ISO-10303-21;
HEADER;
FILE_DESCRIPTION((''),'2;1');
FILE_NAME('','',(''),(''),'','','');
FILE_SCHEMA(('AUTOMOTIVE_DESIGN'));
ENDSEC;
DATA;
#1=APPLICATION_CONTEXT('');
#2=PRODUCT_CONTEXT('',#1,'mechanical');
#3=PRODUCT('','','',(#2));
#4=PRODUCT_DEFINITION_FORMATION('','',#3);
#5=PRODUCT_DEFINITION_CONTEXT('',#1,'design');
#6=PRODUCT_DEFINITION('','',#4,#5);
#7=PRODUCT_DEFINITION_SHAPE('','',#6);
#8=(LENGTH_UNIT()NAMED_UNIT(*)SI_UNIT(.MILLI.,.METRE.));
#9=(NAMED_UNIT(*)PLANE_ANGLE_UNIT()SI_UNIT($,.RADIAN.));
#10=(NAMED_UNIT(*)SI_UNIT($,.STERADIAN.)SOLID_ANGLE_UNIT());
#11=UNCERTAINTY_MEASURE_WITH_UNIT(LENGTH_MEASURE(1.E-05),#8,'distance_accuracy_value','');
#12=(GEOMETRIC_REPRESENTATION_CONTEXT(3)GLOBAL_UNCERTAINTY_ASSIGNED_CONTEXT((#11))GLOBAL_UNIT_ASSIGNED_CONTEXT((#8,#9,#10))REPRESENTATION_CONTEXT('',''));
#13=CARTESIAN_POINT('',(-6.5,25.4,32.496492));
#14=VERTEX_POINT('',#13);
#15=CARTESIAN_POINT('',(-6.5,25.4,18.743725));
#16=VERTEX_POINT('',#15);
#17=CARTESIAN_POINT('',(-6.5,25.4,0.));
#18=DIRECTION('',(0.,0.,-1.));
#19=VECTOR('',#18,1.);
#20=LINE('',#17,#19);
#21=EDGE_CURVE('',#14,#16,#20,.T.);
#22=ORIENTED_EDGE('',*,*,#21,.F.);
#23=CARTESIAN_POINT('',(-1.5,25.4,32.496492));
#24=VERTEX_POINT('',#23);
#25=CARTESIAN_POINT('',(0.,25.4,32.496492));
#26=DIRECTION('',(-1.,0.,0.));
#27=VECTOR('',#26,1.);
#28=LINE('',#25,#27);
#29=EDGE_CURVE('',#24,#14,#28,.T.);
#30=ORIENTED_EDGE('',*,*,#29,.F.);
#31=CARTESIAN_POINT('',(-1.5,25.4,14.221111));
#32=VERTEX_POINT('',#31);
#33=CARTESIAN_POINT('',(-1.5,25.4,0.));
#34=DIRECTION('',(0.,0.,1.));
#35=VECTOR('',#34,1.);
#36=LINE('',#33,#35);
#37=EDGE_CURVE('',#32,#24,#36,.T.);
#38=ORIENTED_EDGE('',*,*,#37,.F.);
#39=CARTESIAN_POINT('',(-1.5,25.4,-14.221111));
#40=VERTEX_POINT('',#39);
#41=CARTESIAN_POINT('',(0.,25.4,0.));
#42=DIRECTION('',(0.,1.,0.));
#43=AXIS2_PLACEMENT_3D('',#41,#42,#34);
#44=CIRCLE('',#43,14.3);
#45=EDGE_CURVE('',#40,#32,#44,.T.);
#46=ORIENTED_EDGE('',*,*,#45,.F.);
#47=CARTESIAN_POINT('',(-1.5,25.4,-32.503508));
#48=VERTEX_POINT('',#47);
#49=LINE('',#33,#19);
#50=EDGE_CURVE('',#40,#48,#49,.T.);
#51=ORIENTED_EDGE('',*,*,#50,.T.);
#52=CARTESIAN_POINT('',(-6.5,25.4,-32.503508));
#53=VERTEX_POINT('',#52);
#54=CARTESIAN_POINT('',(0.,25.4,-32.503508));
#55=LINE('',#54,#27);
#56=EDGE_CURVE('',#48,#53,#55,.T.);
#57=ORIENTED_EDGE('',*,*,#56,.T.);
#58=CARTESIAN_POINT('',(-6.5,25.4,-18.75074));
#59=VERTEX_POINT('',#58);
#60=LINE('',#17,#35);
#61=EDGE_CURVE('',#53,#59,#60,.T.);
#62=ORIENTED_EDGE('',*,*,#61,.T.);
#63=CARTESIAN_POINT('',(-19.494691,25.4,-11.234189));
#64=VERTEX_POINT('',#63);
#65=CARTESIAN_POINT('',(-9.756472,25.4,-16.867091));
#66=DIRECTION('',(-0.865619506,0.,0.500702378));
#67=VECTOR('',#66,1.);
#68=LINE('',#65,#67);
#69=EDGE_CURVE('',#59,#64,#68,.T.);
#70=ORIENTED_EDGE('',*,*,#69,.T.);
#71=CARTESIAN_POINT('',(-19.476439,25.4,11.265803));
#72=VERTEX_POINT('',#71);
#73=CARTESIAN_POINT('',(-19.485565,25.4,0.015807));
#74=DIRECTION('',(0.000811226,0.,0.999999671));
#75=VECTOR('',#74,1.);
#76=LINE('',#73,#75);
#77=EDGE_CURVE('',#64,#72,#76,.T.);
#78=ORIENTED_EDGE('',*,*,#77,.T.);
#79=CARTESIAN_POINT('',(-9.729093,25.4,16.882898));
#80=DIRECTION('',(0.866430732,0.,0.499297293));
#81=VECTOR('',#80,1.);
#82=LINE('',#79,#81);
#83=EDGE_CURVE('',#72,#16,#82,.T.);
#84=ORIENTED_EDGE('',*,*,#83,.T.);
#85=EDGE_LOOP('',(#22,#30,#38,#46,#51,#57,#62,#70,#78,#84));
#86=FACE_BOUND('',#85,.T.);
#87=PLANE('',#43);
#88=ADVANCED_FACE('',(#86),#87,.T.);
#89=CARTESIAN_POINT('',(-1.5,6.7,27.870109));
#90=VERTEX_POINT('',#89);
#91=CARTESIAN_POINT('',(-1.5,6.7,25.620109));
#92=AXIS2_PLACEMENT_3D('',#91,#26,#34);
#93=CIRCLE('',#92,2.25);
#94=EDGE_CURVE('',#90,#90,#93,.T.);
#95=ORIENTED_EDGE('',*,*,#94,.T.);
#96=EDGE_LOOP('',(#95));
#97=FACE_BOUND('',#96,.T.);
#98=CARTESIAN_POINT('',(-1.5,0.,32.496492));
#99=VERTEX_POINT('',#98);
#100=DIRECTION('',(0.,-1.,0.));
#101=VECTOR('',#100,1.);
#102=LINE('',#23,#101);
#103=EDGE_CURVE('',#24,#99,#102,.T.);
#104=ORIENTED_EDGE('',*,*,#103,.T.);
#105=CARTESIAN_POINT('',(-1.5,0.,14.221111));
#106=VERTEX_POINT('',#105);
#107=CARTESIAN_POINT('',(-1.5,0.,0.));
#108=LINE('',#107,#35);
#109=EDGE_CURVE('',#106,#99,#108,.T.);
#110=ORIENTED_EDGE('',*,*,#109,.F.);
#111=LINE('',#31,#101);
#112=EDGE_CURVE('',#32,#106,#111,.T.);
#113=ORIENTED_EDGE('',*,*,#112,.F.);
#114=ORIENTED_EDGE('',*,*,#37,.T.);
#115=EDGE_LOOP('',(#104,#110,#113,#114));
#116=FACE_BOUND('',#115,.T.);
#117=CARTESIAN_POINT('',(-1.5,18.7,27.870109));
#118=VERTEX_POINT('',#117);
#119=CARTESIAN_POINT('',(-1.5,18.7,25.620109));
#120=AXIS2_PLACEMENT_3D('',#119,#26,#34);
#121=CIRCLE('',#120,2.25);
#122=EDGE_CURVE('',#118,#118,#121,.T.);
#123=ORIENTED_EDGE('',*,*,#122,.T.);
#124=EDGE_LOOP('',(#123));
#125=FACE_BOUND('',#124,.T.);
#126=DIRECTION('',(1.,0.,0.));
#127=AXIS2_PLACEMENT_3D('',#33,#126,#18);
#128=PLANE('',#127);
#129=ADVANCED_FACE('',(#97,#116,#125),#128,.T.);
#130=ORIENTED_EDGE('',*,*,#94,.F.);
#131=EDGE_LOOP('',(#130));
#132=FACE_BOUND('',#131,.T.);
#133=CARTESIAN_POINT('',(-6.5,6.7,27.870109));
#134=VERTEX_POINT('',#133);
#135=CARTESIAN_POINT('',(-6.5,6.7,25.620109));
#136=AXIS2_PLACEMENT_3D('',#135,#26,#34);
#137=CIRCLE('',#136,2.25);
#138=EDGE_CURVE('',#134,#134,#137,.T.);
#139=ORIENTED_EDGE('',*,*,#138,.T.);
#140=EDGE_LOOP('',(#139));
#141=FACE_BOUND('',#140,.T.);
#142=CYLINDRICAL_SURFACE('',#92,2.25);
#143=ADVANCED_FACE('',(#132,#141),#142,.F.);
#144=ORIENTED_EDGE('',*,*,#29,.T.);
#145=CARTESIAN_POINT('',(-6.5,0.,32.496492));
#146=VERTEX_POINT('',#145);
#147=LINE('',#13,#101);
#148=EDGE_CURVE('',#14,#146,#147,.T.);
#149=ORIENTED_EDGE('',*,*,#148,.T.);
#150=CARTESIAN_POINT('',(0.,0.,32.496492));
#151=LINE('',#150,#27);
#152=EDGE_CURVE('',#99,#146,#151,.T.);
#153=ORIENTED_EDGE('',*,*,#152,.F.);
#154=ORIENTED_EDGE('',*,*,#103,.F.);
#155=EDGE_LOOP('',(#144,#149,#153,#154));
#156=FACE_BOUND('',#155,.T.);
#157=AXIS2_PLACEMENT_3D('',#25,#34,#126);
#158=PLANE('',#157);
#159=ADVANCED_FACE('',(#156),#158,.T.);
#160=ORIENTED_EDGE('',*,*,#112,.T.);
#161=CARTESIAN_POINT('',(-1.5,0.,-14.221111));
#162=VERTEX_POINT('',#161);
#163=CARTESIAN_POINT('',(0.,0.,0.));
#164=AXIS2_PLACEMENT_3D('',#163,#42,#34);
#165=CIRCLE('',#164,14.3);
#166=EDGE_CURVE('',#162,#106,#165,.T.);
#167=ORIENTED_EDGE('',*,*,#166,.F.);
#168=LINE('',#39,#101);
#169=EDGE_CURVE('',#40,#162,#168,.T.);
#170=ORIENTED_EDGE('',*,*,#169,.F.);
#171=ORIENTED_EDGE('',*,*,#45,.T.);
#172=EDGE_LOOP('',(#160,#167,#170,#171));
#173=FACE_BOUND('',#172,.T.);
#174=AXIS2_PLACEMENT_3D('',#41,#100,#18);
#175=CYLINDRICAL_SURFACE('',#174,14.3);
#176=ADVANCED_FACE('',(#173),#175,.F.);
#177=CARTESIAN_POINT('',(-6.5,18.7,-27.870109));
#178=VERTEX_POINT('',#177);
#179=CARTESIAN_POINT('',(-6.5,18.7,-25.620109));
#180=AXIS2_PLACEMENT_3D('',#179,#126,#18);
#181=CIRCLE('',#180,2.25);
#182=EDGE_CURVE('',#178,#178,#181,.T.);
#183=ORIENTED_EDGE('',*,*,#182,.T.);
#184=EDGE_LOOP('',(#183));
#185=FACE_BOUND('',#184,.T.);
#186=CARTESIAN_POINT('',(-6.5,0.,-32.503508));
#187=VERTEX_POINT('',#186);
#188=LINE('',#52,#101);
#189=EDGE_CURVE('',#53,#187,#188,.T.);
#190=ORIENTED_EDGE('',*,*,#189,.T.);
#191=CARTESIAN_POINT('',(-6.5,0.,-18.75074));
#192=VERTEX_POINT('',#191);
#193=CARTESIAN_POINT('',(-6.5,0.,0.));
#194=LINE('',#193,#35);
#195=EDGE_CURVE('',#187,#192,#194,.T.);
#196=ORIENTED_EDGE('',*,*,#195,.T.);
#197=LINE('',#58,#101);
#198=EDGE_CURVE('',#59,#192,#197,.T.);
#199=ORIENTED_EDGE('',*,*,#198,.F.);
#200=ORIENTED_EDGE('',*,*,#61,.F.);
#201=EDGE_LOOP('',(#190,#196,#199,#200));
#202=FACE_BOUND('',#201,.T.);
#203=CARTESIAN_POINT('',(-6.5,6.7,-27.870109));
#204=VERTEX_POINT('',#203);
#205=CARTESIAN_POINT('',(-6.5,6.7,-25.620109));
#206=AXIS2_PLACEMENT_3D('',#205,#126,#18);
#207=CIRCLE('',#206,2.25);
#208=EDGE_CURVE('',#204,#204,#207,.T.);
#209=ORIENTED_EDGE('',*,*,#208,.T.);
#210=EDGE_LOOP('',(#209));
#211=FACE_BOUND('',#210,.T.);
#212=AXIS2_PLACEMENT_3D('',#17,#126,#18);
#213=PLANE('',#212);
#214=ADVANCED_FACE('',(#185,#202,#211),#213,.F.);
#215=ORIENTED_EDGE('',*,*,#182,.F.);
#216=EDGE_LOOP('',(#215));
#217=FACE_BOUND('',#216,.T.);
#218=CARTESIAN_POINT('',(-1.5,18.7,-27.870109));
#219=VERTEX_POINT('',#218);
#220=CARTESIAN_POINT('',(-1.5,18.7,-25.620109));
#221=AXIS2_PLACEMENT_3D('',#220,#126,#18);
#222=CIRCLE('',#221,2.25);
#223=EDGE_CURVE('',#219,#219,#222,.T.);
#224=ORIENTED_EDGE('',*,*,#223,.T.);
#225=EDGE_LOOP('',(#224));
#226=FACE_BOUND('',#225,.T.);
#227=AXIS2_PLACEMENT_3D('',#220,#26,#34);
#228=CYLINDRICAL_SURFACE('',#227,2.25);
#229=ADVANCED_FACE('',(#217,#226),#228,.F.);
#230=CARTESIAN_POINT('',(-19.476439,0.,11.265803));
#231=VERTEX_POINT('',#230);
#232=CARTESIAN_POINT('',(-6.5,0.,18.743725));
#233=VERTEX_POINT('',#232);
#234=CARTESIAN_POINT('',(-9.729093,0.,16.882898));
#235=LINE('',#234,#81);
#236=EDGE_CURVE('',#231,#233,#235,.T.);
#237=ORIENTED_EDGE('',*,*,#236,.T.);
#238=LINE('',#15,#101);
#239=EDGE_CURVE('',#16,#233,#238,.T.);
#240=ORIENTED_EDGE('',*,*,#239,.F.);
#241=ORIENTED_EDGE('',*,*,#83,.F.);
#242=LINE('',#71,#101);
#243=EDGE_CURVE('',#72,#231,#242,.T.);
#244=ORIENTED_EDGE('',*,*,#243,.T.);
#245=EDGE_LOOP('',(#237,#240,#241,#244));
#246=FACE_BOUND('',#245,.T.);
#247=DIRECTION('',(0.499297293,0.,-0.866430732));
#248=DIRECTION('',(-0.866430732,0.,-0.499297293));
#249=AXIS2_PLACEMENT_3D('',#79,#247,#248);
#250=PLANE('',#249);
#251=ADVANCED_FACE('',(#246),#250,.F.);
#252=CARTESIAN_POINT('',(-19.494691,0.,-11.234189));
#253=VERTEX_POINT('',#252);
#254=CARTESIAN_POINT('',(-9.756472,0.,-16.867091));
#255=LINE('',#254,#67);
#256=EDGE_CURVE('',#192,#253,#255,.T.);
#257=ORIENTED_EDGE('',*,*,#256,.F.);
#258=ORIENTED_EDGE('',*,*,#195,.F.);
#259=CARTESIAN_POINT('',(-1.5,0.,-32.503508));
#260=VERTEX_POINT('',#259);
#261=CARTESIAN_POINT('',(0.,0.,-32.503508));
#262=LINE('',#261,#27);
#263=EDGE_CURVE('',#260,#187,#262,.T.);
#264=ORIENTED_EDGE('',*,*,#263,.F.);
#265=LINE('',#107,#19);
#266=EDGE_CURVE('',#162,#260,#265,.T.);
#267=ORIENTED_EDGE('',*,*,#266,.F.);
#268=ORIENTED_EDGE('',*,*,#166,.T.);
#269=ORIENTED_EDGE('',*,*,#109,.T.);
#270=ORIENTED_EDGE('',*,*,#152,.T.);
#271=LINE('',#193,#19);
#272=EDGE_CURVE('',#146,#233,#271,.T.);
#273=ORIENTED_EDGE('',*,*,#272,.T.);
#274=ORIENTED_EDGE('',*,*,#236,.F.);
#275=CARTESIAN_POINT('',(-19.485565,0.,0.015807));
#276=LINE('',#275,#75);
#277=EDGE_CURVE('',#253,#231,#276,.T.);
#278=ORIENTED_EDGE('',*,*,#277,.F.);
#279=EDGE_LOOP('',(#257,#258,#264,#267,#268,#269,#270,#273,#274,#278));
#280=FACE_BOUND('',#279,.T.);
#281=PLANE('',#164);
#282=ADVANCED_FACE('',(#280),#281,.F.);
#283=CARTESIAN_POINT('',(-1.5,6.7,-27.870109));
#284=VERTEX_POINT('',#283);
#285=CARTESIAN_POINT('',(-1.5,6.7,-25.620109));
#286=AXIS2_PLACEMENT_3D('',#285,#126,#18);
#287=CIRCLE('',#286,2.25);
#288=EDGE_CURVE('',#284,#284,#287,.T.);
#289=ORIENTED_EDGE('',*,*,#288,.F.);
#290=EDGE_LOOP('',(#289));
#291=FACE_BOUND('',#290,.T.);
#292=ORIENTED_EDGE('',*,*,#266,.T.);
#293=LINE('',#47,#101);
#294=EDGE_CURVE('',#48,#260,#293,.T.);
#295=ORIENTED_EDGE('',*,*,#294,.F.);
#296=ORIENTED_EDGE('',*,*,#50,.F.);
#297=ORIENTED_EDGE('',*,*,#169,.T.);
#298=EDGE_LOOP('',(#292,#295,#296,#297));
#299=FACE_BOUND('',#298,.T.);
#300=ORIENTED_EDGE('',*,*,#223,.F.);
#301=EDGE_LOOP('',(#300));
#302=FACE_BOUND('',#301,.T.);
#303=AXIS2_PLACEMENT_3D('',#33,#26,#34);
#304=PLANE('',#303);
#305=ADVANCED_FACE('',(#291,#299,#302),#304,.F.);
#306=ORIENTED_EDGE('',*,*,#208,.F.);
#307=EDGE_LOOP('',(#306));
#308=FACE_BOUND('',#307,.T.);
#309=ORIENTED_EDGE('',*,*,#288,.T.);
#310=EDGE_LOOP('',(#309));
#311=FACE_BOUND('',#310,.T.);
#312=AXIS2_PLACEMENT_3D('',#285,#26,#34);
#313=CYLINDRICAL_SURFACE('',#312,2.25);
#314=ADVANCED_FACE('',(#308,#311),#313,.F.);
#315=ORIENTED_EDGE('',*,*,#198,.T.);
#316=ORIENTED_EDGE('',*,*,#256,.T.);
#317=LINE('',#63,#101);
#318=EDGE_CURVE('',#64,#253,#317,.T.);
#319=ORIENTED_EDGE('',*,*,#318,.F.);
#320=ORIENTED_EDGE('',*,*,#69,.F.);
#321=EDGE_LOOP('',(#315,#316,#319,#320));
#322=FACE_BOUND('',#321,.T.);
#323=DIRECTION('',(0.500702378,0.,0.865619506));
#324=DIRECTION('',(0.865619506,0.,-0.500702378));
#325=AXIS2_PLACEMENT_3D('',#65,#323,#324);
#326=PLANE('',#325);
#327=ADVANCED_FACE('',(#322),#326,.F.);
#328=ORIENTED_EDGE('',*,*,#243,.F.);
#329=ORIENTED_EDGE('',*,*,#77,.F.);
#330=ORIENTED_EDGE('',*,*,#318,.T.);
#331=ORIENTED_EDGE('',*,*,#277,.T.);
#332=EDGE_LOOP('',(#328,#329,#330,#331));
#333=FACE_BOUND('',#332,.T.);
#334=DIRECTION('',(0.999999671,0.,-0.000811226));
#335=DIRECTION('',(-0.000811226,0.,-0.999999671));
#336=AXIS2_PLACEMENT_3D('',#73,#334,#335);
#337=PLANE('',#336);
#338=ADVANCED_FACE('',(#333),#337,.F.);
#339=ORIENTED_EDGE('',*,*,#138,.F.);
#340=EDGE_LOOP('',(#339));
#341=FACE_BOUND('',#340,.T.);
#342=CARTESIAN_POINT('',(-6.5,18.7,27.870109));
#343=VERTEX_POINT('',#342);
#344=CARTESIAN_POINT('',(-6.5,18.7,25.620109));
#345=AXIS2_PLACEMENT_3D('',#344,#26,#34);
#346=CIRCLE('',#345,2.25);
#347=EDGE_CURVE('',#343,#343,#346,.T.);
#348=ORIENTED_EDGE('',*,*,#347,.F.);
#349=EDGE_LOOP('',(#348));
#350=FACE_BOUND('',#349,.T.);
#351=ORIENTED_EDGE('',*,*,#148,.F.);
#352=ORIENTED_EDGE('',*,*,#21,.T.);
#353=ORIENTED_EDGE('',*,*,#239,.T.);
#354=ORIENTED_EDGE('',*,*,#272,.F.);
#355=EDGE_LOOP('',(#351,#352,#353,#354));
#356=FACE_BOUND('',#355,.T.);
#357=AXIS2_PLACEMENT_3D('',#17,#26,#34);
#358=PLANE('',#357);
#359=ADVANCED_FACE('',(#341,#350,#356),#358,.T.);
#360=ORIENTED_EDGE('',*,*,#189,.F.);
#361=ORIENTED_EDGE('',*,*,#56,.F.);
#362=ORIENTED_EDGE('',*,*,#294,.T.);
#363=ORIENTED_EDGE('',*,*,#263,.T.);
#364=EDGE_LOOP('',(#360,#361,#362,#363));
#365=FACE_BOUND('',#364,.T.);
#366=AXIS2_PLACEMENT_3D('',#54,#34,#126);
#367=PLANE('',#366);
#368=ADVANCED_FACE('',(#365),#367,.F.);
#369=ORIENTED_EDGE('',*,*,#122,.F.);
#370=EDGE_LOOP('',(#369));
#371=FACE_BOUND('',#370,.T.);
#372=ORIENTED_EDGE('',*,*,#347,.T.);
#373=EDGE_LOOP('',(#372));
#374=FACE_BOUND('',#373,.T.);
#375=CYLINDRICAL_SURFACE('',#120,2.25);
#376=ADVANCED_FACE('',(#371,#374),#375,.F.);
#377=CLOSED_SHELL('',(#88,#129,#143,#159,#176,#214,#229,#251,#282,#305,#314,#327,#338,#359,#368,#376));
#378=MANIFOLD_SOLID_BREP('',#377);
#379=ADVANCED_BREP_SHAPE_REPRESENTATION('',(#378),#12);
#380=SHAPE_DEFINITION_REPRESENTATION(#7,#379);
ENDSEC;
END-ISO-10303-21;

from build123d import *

# Parameters (mm, degrees)
BOSS_EXTRUDE1_DEPTH = 25.4
SKETCH2_R           = 2.25
CUT_EXTRUDE1_DEPTH  = 6


with BuildPart() as part:
    # Sketch1 → Boss-Extrude1 (new body)
    with BuildSketch(Plane(origin=(0, 0, 0), x_dir=(1, 0, 0), z_dir=(0, 1, 0))):
        Polygon((-6.5, 18.750739811), (-1.5, 21.642901866), (-1.5, 32.503507515), (-6.5, 32.503507515), align=None)
        with BuildLine():
            Line((-1.5, -21.625070485), (-1.5, -14.221111068))
            ThreePointArc((-1.5, -14.221111068), (-14.3, 0), (-1.5, 14.221111068))
            Line((-1.5, 14.221111068), (-1.5, 21.642901866))
            Line((-1.5, 21.642901866), (-6.5, 18.750739811))
            Line((-6.5, 18.750739811), (-19.494691465, 11.234189098))
            Line((-19.494691465, 11.234189098), (-19.476438882, -11.265803499))
            Line((-19.476438882, -11.265803499), (-6.5, -18.743724782))
            Line((-6.5, -18.743724782), (-1.5, -21.625070485))
        make_face()
        Polygon((-1.5, -32.496492485), (-1.5, -21.625070485), (-6.5, -18.743724782), (-6.5, -32.496492485), align=None)
    extrude(amount=BOSS_EXTRUDE1_DEPTH)

    # Sketch2 → Cut-Extrude1 (cut, through all)
    with BuildSketch(Plane.ZY.offset(6.5)):
        with Locations((25.620108634, 18.7)):
            Circle(SKETCH2_R)
        with Locations((25.620108634, 6.7)):
            Circle(SKETCH2_R)
    cut_extrude1 = extrude(amount=-CUT_EXTRUDE1_DEPTH, mode=Mode.SUBTRACT)

    # Mirror1: Cut-Extrude1 across plane
    add(cut_extrude1.mirror(Plane.XY), mode=Mode.SUBTRACT)


solid = part.part
